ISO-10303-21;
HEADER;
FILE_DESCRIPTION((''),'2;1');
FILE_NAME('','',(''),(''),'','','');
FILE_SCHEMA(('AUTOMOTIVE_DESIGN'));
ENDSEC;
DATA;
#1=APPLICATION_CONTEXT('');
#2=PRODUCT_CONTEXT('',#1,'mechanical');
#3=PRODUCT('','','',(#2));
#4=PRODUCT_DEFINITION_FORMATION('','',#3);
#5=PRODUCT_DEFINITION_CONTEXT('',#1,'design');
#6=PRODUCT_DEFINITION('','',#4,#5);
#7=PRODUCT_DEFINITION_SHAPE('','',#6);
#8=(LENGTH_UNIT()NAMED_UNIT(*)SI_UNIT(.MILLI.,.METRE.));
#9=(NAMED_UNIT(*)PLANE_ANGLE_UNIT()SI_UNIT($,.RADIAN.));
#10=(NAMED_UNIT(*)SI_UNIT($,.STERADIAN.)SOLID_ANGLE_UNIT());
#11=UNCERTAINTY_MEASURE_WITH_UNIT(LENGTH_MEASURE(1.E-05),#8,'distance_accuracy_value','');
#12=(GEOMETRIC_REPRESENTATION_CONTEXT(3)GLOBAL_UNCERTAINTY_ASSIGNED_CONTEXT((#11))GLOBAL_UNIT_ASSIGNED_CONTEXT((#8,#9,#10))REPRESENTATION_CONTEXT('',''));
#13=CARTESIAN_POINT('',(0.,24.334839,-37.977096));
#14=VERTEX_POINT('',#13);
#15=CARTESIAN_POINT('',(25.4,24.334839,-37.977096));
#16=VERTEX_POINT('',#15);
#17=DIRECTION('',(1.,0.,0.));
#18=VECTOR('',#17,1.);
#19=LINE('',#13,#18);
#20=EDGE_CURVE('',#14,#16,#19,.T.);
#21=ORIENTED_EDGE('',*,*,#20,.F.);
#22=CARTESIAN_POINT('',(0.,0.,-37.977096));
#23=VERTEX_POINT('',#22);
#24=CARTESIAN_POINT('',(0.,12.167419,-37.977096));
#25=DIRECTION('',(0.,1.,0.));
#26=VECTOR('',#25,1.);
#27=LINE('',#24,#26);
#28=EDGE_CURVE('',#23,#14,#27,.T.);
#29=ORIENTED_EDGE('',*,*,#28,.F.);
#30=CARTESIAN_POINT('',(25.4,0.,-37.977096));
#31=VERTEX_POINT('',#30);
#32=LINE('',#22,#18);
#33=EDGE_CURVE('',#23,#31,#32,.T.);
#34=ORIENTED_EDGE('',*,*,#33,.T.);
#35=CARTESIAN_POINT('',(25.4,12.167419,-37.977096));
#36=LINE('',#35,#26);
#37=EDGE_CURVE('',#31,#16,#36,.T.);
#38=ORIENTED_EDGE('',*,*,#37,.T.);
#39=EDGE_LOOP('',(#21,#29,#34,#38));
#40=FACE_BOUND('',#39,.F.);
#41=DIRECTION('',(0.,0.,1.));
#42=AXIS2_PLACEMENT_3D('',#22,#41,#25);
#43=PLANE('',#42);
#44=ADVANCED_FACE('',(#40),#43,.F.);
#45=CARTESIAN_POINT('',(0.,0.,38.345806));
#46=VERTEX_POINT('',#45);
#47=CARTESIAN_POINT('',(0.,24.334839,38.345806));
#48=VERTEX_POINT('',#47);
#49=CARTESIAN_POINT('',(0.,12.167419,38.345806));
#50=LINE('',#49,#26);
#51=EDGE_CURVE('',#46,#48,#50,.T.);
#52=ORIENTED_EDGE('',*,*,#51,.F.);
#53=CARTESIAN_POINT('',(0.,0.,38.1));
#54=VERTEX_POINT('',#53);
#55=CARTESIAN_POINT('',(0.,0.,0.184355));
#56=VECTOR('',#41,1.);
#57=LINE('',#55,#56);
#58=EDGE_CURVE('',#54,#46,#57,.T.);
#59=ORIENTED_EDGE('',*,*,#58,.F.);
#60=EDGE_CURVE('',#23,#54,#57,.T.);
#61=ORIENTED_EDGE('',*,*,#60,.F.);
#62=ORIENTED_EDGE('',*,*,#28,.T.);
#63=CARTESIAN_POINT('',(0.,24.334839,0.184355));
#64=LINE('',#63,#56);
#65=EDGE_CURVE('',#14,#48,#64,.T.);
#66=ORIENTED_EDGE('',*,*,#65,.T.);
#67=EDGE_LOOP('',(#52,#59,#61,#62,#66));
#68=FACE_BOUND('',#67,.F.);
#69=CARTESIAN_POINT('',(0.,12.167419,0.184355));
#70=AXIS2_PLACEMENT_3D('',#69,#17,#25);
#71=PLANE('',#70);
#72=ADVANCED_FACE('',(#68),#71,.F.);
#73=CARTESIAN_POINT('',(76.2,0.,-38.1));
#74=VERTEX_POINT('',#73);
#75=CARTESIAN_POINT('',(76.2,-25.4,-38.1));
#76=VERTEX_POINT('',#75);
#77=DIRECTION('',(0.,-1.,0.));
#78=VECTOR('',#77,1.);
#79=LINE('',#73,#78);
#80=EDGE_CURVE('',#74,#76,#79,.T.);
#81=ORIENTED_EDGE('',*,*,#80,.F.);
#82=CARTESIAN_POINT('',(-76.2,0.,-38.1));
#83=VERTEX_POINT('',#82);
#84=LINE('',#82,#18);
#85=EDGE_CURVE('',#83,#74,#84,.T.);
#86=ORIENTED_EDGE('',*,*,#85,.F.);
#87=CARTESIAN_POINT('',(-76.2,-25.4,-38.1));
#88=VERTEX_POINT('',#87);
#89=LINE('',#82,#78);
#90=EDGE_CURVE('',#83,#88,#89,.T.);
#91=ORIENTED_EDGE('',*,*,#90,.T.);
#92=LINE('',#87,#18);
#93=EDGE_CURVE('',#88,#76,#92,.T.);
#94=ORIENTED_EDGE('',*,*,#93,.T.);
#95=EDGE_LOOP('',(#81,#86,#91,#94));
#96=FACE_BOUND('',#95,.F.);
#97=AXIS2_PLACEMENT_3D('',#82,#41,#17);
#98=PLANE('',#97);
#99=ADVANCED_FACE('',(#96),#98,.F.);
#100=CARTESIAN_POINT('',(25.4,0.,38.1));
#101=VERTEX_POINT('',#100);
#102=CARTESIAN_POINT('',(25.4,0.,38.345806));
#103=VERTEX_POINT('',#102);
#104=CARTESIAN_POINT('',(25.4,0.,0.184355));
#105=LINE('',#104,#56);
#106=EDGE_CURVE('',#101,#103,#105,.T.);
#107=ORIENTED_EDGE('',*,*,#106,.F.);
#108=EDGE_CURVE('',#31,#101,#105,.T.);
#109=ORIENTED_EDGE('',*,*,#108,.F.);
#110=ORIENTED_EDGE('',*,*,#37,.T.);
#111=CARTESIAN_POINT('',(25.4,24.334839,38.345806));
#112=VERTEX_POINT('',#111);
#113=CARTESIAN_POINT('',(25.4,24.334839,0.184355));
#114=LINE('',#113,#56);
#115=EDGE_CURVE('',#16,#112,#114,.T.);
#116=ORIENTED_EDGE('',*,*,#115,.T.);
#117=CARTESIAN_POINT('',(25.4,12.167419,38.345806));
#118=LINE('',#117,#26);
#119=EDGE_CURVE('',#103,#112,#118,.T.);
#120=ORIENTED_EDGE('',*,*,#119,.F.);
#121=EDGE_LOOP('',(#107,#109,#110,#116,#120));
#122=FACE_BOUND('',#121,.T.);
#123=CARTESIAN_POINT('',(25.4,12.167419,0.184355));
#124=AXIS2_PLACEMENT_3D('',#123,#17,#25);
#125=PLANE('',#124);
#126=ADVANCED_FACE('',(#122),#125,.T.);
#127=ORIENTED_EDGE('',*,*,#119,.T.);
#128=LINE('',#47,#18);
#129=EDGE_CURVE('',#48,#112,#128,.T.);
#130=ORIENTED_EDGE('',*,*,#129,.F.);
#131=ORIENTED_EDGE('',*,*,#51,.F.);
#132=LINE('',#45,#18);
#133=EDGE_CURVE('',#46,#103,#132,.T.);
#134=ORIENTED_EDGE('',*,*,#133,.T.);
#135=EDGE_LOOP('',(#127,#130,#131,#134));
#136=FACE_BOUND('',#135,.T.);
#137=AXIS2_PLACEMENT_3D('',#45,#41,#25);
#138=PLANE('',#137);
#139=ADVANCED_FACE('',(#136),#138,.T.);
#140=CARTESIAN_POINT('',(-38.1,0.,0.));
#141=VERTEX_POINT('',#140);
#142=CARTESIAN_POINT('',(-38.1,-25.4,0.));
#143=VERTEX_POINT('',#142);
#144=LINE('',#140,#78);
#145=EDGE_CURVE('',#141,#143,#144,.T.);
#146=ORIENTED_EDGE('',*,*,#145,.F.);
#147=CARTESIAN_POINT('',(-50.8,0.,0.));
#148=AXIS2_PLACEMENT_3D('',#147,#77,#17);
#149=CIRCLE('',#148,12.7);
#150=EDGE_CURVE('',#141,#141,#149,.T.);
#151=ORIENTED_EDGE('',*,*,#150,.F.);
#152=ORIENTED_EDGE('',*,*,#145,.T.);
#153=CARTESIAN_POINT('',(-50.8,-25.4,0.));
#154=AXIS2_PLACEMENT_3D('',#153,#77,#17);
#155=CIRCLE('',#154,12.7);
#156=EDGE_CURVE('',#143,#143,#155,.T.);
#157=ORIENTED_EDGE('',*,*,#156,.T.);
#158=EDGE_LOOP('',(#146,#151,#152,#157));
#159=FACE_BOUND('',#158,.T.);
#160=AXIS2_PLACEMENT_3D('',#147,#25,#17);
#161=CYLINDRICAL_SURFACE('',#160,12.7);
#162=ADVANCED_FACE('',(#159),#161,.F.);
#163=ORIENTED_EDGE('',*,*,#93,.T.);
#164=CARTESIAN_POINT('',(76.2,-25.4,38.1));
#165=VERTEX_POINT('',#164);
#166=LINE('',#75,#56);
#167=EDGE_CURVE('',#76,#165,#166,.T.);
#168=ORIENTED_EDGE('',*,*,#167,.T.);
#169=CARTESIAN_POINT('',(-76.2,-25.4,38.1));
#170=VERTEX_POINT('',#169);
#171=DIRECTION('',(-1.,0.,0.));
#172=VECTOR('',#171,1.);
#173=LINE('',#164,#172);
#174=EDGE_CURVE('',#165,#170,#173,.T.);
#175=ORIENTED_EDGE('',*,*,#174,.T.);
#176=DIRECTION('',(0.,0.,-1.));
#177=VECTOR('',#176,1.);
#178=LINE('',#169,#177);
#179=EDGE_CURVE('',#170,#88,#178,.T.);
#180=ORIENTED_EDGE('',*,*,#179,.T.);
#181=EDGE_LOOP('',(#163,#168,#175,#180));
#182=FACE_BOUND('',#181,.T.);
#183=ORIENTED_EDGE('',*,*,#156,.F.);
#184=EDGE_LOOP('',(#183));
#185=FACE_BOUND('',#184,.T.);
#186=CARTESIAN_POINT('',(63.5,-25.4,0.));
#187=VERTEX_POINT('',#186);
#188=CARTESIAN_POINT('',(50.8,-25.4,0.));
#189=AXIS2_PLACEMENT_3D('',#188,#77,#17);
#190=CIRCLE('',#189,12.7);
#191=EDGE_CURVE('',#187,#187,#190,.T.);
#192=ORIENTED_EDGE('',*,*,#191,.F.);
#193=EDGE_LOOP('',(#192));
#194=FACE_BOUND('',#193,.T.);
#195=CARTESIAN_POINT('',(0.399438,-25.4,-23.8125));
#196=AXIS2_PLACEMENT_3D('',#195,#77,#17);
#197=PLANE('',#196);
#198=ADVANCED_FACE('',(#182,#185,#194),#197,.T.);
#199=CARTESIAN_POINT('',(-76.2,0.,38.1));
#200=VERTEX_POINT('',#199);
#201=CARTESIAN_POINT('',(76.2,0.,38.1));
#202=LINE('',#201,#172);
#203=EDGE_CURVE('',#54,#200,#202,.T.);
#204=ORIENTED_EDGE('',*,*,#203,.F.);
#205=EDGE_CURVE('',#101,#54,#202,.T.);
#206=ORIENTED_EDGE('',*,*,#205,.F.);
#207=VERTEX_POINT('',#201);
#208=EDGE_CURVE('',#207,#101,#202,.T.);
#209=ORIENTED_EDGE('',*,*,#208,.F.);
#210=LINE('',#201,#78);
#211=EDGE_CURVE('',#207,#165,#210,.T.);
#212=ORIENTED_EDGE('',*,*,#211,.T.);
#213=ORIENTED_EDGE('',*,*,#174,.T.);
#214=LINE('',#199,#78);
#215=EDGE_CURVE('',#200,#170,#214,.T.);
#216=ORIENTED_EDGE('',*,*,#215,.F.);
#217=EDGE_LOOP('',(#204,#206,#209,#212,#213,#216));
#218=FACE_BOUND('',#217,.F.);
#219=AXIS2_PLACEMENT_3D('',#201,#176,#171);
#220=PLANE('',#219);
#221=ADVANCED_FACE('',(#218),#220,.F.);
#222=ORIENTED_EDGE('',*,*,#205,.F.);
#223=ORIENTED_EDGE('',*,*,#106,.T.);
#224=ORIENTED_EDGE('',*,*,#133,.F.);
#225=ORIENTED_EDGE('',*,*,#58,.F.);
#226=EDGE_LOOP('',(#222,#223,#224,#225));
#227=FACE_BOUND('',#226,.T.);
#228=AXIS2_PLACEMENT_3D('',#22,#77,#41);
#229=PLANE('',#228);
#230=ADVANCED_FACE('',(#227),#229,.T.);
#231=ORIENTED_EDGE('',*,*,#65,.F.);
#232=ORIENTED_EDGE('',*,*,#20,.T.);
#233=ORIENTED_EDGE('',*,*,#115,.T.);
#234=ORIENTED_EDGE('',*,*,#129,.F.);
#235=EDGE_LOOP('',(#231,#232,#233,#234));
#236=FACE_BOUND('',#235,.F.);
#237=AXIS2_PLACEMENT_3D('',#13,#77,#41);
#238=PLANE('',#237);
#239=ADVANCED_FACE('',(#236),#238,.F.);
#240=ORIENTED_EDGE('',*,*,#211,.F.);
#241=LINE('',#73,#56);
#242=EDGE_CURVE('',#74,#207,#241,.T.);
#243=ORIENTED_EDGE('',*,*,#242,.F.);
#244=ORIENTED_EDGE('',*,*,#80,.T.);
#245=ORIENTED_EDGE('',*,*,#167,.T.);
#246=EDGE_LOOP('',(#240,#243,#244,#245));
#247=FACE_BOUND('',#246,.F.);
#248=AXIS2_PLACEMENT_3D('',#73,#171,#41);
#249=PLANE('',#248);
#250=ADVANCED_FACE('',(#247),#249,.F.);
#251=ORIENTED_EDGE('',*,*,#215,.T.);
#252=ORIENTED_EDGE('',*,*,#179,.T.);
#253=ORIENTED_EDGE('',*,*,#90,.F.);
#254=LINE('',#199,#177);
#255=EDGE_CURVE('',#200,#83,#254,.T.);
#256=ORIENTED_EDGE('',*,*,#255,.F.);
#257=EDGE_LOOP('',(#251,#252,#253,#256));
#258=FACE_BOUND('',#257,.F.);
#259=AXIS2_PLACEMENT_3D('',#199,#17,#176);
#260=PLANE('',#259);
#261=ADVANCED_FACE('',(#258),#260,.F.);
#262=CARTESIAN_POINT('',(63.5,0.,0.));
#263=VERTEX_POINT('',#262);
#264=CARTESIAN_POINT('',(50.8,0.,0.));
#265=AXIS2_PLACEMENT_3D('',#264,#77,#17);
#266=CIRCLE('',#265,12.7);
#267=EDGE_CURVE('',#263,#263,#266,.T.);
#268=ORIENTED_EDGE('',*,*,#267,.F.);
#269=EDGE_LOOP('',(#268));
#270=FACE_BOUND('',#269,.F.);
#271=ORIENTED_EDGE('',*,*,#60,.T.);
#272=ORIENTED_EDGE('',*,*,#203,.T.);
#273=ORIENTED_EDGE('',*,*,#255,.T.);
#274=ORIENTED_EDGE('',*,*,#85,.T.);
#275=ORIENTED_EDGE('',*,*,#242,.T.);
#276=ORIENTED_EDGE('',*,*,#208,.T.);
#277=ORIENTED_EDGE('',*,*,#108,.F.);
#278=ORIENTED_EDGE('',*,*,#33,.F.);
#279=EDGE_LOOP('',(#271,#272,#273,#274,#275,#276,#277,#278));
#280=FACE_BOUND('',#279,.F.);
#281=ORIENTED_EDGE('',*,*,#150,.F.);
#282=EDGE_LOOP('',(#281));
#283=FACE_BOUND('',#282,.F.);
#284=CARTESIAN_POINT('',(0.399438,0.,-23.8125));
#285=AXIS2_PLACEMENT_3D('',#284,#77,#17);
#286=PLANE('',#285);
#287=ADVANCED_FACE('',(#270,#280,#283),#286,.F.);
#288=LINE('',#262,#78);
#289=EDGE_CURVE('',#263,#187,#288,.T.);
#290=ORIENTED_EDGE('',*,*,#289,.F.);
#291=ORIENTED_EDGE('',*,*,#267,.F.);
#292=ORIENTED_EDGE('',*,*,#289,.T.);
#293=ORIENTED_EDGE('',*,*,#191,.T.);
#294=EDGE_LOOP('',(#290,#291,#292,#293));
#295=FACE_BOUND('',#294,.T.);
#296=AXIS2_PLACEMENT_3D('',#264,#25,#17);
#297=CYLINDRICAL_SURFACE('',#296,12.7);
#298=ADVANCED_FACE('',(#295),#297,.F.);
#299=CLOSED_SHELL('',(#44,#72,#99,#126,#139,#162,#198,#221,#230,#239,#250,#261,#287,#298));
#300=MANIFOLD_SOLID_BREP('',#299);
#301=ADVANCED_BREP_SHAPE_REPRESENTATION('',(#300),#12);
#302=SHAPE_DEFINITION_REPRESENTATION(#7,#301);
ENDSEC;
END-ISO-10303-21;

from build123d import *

# Parameters (mm, degrees)
F1_W     = 24.334839
F1_H     = 76.322902
F2_DEPTH = 25.4
F0_W     = 53.462906
F0_H     = 28.575
F0_R     = 12.7
F3_DEPTH = 25.4


with BuildPart() as f2:
    # F1 (on Right) → F2 (new body)
    with BuildSketch(Plane.YZ):
        with Locations((12.167419, 0.184355)):
            Rectangle(F1_W, F1_H)
    extrude(amount=F2_DEPTH)

    # F0 (on Front) → F3 (join)
    with BuildSketch(Plane.XZ):
        with Locations((0.399438, -23.8125)):
            Rectangle(F0_W, F0_H)
        Polygon((76.2, 38.1), (-76.2, 38.1), (-76.2, -38.1), (-26.332015, -38.1), (-26.332015, -9.525), (27.130891, -9.525), (27.130891, -38.1), (76.2, -38.1), align=None)
        with Locations((-50.8, 0)):
            Circle(F0_R, mode=Mode.SUBTRACT)
        with Locations((50.8, 0)):
            Circle(F0_R, mode=Mode.SUBTRACT)
    extrude(amount=F3_DEPTH)


solid = f2.part
